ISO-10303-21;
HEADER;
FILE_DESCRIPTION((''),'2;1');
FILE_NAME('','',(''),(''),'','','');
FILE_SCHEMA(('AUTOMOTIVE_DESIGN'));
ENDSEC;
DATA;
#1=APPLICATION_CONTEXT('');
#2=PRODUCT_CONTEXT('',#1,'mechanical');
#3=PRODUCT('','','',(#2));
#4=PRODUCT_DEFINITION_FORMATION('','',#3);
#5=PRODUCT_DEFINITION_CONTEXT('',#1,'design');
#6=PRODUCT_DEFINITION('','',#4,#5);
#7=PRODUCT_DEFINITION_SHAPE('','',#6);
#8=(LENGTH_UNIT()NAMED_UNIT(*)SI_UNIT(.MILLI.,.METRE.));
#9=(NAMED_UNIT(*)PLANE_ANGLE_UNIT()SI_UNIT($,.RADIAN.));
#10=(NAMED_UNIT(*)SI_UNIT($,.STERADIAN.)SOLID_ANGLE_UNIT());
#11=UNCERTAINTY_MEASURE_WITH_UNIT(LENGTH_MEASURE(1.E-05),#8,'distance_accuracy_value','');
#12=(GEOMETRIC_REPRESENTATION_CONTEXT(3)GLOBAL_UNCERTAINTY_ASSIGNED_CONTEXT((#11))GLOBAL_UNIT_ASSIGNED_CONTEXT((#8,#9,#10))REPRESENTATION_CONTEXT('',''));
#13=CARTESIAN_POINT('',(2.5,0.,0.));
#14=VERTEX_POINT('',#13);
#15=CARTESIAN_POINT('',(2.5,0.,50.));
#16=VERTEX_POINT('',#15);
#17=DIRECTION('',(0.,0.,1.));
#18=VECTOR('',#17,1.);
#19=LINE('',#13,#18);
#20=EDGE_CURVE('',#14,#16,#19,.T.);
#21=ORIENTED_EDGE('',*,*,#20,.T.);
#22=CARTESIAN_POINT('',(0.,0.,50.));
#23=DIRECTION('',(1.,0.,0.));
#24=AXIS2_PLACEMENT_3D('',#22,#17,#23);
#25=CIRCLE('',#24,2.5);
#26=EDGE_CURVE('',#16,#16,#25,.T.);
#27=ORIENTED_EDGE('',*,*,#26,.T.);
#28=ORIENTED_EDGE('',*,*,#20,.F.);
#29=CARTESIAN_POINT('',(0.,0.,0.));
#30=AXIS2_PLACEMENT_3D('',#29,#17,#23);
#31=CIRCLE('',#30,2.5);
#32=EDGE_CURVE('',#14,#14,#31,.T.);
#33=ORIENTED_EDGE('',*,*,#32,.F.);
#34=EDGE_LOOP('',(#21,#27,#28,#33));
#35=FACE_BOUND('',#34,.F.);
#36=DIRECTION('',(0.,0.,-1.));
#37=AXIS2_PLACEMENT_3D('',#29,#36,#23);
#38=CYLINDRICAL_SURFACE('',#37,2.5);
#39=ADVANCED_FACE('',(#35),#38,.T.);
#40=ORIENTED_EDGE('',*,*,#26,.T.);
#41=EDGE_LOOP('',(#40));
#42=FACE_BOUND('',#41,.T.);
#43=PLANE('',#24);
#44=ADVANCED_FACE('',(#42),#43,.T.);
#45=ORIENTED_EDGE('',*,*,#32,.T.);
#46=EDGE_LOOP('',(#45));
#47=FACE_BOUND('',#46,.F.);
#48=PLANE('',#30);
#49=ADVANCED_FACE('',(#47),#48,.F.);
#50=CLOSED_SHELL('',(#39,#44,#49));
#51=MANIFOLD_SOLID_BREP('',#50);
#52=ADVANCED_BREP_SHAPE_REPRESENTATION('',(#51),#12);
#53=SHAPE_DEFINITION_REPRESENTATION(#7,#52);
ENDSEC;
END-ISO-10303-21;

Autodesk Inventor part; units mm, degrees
ref_plane "YZ Plane" through (0, 0, 0) normal (1, 0, 0) x (0, 1, 0)
ref_plane "XZ Plane" through (0, 0, 0) normal (0, 1, 0) x (-1, 0, 0)
ref_plane "XY Plane" through (0, 0, 0) normal (0, 0, 1) x (1, 0, 0)
sketch "スケッチ1" plane through (0, 0, 0) normal (0, 0, 1) x (1, 0, 0)
  circle A0 centre (0, 0) radius 2.5
  dimension "d0" = 5
extrude "押し出し1" add sketch "スケッチ1" along normal blind 50
equation "\"BendRadius\" = Thickness"
equation "\"BendReliefWidth\" = Thickness"
equation "\"BendReliefDepth\" = 0.5 * Thickness"
equation "\"CornerReliefSize\" = 4 * Thickness"
equation "\"MinimumRemnant\" = 2 * Thickness"
equation "\"TransitionRadius\" = BendRadius"
equation "\"JacobiRadiusSize\" = BendRadius"
equation "\"GapSize\" = Thickness"
equation "\"Thickness\" = 0.5"
properties part number "nhk2"
